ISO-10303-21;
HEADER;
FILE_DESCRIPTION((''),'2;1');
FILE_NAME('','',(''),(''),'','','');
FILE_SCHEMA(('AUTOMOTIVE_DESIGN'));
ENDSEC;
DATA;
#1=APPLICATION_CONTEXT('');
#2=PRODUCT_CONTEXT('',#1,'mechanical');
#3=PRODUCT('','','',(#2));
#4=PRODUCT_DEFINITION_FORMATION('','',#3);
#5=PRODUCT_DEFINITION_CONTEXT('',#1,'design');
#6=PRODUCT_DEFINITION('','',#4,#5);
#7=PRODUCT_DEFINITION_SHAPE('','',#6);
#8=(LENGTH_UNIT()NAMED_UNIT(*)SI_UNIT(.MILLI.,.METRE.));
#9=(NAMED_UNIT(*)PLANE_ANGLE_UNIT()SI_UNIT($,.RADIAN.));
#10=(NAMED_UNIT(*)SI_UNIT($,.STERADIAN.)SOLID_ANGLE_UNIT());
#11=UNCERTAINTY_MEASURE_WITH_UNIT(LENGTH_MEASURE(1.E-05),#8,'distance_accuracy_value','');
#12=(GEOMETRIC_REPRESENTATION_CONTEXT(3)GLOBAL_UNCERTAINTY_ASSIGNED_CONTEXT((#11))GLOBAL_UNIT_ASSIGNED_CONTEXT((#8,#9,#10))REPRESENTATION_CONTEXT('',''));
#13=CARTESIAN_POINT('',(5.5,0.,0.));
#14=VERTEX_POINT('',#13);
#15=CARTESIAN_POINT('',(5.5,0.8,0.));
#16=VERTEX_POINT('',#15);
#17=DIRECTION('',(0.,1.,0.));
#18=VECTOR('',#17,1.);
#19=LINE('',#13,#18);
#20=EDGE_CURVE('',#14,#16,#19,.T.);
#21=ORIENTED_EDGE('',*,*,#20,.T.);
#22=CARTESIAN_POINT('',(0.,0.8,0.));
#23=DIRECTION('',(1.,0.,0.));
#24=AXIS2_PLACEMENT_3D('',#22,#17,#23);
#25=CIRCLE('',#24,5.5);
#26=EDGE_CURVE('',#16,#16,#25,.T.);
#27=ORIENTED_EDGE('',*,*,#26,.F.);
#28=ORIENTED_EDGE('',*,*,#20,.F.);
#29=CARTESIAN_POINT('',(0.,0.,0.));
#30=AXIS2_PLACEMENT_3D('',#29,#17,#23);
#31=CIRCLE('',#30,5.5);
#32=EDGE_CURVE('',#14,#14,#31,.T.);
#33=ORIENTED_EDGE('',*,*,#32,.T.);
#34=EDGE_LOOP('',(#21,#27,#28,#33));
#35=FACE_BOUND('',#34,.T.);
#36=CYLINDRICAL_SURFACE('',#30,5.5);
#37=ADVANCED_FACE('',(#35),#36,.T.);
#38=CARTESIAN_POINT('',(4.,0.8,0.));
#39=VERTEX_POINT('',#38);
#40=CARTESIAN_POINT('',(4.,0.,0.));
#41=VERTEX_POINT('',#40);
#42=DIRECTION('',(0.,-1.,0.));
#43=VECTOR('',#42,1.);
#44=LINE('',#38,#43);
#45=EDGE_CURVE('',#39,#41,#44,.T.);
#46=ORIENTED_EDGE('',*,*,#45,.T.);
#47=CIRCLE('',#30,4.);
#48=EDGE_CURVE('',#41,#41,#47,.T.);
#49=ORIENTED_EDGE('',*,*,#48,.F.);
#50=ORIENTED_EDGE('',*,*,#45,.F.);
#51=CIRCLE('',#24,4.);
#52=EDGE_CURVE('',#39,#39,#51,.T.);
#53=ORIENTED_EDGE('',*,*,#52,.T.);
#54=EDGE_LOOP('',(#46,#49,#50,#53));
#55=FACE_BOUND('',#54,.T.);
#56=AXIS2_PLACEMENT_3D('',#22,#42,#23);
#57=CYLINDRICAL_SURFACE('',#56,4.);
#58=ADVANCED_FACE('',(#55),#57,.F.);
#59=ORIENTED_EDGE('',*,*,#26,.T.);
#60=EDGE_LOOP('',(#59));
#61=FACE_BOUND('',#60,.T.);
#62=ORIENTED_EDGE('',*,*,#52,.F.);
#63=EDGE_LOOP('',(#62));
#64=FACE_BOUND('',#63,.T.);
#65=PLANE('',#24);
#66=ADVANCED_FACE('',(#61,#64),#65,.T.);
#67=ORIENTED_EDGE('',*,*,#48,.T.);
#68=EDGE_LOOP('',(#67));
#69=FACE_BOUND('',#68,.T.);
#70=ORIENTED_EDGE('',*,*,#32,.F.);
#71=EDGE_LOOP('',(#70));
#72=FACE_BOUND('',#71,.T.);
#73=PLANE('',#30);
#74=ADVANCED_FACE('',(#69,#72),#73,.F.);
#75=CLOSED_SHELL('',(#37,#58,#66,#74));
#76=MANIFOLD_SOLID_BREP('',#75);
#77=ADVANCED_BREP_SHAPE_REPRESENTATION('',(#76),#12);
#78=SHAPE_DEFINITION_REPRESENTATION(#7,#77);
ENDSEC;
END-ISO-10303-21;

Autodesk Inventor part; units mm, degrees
ref_plane "YZ Plane" through (0, 0, 0) normal (1, 0, 0) x (0, 1, 0)
ref_plane "XZ Plane" through (0, 0, 0) normal (0, 1, 0) x (-1, 0, 0)
ref_plane "XY Plane" through (0, 0, 0) normal (0, 0, 1) x (1, 0, 0)
sketch "Schizzo1" plane through (0, 0, 0) normal (0, 0, 1) x (1, 0, 0)
  line L0 (4, 0) -> (5.5, 0)
  line L1 (5.5, 0) -> (5.5, 0.8)
  line L2 (5.5, 0.8) -> (4, 0.8)
  line L3 (4, 0.8) -> (4, 0)
  line L4 (0, -0.16) -> (0, 0.96) projected
  point P0 (0, 0)
  dimension "d0" = 4
  dimension "d1" = 0.8
  dimension "d2" = 5.5
revolve "Rivoluzione1" add sketch "Schizzo1" angle 360 about axis through (0, -10, 0) along (0, 1, 0)
properties part number "Rondella"
